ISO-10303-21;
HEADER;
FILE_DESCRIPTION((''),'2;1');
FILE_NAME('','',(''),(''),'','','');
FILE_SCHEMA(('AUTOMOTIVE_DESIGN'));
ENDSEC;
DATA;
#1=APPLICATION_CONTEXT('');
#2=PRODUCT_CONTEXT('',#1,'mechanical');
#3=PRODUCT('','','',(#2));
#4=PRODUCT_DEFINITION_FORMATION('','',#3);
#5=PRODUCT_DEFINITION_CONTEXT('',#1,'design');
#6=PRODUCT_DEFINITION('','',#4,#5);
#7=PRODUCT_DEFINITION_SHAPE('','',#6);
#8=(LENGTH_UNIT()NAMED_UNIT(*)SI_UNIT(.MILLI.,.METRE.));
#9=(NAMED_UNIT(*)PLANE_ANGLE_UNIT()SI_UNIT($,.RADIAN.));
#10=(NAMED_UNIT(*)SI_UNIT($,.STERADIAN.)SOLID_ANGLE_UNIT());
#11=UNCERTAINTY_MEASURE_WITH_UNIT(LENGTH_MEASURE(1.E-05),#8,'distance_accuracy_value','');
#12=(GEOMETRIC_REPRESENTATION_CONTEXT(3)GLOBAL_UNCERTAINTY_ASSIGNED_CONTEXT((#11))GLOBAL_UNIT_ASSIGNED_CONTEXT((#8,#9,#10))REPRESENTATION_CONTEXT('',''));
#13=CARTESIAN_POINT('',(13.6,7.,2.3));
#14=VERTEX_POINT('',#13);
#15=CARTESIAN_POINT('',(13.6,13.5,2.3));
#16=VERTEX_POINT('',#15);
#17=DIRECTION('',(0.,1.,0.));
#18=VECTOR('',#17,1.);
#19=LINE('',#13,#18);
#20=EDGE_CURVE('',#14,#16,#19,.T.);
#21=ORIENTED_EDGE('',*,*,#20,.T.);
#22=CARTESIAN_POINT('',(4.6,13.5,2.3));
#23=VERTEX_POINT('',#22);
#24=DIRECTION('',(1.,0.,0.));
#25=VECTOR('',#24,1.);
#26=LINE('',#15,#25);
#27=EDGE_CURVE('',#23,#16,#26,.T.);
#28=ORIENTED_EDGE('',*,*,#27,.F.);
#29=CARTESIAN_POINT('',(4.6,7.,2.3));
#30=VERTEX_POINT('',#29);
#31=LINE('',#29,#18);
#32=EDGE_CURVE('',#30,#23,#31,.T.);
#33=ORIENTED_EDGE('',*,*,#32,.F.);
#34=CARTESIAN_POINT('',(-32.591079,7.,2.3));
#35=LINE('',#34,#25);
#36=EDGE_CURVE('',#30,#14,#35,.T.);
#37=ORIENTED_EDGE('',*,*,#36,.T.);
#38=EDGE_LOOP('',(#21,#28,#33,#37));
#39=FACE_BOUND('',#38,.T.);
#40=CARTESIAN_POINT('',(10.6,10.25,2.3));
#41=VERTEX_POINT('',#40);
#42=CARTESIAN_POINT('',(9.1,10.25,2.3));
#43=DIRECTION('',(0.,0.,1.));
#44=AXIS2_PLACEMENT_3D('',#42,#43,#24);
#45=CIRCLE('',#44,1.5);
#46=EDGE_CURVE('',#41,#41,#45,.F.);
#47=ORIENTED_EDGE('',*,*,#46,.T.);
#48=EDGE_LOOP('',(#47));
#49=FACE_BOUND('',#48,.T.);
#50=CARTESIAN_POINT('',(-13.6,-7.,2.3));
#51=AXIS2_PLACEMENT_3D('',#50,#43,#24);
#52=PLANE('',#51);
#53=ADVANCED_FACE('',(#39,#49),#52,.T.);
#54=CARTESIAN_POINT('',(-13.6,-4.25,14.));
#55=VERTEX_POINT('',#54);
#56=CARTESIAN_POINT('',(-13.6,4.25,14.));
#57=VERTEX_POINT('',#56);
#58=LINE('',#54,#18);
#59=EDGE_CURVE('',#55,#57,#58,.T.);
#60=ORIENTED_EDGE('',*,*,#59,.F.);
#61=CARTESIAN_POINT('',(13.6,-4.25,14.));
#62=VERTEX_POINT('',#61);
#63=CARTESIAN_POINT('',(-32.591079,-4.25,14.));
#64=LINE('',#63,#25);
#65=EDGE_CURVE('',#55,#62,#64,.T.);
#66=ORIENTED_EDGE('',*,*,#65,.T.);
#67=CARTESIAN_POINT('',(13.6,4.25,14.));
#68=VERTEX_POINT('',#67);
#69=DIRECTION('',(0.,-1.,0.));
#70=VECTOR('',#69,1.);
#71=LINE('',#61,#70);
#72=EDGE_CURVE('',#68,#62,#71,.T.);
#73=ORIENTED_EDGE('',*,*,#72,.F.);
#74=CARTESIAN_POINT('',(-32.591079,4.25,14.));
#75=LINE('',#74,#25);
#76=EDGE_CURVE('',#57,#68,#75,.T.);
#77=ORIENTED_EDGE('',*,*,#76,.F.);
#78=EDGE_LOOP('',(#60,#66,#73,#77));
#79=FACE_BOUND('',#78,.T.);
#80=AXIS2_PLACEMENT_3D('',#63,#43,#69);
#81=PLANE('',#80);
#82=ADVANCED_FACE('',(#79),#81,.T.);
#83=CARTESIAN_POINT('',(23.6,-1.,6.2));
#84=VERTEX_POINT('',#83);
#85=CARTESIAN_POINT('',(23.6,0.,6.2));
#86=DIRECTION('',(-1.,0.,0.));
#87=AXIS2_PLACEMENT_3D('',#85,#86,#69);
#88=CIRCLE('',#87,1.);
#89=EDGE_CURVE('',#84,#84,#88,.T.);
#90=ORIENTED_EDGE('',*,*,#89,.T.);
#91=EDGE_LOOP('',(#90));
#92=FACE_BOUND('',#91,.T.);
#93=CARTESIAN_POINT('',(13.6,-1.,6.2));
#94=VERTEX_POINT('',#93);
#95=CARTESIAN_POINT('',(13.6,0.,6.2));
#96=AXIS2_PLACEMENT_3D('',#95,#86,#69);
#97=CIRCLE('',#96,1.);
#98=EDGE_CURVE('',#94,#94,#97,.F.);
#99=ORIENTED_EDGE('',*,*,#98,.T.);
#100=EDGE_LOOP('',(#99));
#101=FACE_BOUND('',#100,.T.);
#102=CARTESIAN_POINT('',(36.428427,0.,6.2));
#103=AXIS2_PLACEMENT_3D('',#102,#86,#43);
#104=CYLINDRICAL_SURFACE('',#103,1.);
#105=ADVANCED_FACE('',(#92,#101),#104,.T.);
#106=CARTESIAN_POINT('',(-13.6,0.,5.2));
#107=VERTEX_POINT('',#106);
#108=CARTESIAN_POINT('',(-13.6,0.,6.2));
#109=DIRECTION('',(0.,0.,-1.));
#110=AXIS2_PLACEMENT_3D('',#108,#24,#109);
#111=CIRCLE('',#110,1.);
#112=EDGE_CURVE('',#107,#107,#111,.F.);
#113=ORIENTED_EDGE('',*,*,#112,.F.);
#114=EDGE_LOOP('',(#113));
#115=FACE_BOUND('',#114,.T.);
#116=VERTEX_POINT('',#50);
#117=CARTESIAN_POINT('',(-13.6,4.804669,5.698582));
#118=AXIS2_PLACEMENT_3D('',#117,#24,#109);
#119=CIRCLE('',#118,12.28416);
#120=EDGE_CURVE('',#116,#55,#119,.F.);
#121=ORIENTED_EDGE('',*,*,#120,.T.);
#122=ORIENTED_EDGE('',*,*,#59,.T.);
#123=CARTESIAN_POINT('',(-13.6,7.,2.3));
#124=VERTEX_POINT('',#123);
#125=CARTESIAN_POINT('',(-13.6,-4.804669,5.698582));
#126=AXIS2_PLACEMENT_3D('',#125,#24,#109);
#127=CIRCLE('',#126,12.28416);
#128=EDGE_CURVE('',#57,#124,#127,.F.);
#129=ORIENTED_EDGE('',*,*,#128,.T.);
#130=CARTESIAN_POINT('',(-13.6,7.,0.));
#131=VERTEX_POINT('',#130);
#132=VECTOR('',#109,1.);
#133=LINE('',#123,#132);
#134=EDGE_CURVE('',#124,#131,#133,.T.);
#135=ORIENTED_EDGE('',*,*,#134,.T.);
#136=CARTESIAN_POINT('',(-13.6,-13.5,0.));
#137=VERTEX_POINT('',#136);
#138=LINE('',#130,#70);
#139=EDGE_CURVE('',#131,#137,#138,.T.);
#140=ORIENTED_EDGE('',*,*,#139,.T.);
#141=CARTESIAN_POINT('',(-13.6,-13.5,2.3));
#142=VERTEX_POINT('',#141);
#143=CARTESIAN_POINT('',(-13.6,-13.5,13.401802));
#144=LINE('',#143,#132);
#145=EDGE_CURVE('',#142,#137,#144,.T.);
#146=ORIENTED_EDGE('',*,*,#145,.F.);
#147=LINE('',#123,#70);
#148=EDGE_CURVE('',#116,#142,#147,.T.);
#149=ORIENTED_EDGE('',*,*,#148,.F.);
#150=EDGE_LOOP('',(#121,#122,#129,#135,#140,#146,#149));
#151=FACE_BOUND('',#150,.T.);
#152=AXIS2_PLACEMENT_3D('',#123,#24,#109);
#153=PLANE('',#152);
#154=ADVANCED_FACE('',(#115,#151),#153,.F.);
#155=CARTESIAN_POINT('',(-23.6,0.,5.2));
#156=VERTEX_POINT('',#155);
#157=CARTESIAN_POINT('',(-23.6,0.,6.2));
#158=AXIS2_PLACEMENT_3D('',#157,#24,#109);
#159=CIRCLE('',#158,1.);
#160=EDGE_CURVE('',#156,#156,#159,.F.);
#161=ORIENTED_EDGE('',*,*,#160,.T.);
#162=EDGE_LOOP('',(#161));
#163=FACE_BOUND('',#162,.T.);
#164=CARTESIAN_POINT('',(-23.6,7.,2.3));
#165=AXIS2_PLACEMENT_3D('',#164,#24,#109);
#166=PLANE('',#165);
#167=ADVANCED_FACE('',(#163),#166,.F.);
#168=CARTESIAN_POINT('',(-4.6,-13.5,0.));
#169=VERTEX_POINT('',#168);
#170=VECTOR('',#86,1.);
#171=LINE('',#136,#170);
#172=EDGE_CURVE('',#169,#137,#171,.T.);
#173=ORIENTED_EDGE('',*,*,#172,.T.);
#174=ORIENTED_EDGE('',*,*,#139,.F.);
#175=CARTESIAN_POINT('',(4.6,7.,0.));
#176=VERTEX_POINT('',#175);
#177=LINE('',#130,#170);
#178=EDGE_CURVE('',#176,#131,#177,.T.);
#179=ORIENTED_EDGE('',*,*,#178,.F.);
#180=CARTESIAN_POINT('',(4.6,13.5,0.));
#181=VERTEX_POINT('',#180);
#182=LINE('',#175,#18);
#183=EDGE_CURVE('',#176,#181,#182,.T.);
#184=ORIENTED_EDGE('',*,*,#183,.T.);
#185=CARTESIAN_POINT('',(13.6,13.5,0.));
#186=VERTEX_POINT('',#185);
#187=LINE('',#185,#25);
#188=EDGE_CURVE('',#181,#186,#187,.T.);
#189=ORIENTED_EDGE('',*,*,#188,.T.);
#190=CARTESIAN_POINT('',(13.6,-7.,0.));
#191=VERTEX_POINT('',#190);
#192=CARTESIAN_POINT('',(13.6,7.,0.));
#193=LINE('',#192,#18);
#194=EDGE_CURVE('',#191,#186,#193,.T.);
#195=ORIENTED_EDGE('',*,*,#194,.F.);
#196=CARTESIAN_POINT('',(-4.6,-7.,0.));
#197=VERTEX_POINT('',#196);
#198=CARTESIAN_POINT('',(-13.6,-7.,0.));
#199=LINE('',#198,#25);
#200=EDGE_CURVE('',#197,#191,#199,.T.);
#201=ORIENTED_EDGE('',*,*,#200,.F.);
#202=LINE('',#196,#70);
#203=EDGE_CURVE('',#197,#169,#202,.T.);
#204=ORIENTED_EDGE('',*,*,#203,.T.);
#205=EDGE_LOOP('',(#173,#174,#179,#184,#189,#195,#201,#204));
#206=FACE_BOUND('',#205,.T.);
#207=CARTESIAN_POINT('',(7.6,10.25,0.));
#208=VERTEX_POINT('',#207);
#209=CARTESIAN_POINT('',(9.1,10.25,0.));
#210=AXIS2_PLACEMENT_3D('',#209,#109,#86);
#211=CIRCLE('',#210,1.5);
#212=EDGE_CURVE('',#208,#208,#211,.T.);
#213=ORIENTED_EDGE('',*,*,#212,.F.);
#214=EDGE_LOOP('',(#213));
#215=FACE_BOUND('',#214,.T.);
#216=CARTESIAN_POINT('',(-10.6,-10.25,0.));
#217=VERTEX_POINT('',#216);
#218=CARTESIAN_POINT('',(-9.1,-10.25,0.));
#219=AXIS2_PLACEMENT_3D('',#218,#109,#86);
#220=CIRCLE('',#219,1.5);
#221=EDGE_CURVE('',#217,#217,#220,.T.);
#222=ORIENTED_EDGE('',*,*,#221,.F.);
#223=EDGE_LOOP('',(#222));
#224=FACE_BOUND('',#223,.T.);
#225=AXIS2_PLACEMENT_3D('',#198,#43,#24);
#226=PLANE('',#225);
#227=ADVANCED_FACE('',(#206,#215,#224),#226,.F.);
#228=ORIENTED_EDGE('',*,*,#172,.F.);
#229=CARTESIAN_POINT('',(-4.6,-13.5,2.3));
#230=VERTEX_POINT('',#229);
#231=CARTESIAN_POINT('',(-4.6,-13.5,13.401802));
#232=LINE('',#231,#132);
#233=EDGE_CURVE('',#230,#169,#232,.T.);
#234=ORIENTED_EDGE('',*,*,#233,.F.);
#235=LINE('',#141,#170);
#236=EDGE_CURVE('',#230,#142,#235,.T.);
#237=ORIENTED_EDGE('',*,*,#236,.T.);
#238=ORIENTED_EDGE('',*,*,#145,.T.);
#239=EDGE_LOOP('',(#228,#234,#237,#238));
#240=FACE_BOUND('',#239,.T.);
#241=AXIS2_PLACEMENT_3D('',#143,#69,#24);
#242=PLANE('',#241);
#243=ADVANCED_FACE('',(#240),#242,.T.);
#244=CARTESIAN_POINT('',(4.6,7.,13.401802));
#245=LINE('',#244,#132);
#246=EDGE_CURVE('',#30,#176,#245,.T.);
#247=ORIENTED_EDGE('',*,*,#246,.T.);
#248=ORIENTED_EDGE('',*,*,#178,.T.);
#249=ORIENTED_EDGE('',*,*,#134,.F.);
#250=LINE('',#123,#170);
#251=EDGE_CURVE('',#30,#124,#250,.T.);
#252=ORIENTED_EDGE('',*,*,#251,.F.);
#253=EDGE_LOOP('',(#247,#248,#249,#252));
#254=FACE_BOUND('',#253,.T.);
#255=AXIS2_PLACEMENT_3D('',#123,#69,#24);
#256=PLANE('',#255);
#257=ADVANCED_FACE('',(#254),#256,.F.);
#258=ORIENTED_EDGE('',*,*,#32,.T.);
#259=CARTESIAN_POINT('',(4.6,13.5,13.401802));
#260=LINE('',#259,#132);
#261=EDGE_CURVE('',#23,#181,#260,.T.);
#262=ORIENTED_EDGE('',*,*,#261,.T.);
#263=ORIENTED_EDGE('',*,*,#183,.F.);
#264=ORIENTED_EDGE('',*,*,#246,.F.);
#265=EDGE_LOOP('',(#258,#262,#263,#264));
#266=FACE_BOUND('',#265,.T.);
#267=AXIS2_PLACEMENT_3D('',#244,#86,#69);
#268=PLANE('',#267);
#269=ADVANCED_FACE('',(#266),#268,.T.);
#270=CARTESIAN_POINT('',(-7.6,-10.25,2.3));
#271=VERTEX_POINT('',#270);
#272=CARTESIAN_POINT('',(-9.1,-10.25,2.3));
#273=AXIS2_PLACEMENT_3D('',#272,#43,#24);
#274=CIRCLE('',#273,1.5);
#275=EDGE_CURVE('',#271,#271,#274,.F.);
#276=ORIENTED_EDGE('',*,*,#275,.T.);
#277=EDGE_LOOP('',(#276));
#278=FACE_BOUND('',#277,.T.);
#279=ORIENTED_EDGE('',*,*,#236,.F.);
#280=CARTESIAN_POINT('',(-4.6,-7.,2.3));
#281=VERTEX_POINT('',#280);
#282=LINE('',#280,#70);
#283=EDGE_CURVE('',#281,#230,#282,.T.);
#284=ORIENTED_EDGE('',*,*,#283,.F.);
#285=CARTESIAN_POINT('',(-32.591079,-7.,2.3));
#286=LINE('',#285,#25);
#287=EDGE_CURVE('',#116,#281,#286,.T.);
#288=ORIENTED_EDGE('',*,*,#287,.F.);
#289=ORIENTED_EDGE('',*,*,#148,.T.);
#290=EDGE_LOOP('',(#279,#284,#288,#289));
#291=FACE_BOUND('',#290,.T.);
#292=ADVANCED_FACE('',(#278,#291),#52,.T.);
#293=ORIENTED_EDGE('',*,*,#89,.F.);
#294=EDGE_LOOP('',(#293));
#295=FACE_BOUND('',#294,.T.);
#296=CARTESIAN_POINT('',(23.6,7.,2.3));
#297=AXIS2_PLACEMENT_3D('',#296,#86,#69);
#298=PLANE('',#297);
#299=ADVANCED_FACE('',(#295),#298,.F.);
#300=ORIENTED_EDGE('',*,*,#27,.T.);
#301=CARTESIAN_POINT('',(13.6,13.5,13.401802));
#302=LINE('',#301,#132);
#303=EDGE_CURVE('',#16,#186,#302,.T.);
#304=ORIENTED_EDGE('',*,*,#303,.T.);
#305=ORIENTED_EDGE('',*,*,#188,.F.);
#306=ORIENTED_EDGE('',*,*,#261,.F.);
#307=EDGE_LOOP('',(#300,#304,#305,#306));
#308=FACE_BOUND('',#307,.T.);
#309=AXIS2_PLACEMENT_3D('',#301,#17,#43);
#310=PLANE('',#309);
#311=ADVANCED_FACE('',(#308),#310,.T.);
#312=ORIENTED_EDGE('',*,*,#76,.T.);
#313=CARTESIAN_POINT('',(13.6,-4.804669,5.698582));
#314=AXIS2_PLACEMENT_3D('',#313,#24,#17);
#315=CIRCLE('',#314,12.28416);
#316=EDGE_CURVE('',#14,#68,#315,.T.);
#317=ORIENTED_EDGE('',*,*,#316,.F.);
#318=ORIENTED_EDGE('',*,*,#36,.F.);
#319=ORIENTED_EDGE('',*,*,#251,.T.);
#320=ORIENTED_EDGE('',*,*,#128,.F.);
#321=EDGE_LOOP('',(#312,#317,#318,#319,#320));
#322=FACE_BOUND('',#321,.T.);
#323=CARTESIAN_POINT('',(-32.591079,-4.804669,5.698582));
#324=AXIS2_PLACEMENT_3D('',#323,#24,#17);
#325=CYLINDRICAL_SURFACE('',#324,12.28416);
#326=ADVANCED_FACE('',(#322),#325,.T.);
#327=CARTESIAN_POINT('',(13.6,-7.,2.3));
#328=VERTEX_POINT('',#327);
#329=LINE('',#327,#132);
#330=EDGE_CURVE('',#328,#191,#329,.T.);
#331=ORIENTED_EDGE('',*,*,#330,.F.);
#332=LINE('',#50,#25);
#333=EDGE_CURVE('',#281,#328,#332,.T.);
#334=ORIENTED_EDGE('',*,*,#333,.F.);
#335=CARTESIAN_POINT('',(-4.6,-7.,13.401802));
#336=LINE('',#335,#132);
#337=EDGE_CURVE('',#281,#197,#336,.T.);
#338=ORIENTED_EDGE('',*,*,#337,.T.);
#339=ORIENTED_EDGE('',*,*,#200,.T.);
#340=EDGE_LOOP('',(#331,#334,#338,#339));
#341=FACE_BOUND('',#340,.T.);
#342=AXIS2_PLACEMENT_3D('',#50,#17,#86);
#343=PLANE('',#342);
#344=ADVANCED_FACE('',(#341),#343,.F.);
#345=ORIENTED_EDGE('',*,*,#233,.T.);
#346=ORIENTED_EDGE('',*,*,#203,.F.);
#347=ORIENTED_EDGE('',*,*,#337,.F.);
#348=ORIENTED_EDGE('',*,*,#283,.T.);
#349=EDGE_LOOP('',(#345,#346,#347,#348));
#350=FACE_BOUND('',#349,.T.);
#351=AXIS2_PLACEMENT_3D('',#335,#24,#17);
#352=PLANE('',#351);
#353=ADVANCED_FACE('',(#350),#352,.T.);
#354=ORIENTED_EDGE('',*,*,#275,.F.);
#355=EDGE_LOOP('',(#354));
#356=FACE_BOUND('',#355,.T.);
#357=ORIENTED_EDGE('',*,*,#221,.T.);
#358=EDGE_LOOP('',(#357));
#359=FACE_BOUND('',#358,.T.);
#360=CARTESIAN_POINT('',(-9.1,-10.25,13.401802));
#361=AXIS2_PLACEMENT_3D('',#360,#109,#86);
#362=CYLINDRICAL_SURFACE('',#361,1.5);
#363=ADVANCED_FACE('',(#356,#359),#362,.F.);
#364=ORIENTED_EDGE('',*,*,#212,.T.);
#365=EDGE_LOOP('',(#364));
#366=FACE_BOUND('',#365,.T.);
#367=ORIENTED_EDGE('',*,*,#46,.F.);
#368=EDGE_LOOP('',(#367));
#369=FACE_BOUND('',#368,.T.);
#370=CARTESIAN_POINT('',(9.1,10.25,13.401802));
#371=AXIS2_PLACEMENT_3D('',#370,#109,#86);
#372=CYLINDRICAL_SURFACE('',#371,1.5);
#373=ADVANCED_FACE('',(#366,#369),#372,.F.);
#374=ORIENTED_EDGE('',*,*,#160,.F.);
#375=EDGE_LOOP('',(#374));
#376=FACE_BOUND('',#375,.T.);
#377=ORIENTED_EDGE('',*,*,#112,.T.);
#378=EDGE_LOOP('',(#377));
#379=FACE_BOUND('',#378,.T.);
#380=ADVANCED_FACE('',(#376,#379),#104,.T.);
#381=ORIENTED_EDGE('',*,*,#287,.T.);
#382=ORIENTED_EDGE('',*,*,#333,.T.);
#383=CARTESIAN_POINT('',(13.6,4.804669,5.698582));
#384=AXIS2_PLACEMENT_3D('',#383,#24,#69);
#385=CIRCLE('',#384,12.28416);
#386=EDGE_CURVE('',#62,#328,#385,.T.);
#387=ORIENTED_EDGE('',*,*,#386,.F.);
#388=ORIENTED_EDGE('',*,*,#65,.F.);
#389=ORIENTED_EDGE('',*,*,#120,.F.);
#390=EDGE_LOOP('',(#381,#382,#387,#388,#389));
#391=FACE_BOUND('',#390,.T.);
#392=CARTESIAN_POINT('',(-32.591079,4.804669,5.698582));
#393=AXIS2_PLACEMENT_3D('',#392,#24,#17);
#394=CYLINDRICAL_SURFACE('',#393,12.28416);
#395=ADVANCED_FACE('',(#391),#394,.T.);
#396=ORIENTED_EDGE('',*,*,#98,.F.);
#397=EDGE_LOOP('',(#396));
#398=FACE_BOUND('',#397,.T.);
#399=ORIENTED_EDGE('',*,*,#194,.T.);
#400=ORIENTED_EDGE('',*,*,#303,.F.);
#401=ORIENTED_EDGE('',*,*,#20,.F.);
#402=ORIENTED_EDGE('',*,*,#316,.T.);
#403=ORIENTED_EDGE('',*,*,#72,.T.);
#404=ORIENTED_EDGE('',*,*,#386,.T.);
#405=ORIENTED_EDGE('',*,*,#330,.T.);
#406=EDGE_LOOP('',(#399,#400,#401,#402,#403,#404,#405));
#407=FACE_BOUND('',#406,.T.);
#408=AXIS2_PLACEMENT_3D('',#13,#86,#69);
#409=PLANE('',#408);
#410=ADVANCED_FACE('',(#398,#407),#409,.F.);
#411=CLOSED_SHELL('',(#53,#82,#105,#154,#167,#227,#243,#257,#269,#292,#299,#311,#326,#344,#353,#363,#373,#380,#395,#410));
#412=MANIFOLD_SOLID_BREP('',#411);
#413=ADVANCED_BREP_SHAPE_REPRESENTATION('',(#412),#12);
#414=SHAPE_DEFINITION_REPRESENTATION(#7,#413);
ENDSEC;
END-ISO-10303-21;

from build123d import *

# Parameters (mm, degrees)
SKETCH_1_W           = 27.2
SKETCH_1_H           = 14
EXTRUDE_1_DEPTH      = 2.3
SKETCH_2_W           = 9
SKETCH_2_H           = 6.5
SKETCH_2_R           = 1.5
EXTRUDE_2_DEPTH      = 2.3
EXTRUDE_3_REACH      = 32.453
EXTRUDE_4_DEPTH      = 23.6
EXTRUDE_4_DEPTH_BACK = 23.6
SKETCH_5_R           = 1


with BuildPart() as part:
    # 草图1 → 拉伸1 (new body)
    with BuildSketch(Plane.XY):
        Rectangle(SKETCH_1_W, SKETCH_1_H)
    extrude(amount=EXTRUDE_1_DEPTH)

    # 草图2 → 拉伸2 (add)
    # profile 1 of 2: a face of its own
    with BuildSketch(Plane(origin=(0, 0, 0), x_dir=(-1, 0, 0), z_dir=(0, 0, -1))):
        with Locations((9.1, -10.25)):
            Rectangle(SKETCH_2_W, SKETCH_2_H)
        with Locations((9.1, -10.25)):
            Circle(SKETCH_2_R, mode=Mode.SUBTRACT)
    # profile 2 of 2: a face of its own
    with BuildSketch(Plane(origin=(0, 0, 0), x_dir=(-1, 0, 0), z_dir=(0, 0, -1))):
        with Locations((-9.1, 10.25)):
            Rectangle(SKETCH_2_W, SKETCH_2_H)
        with Locations((-9.1, 10.25)):
            Circle(SKETCH_2_R, mode=Mode.SUBTRACT)
    extrude(amount=-EXTRUDE_2_DEPTH)

    # 拉伸3: up to this face of the body (flat: up to its plane)
    extrude_3_end = Plane(part.part.faces().sort_by_distance((-13.6, -3.25, 1.15))[0])
    # 草图4 → 拉伸3 (add, up to the picked face)
    with BuildSketch(Plane(origin=(13.6, 0, 0), x_dir=(0, 0, -1), z_dir=(1, 0, 0)), mode=Mode.PRIVATE) as extrude_3_sk1:
        with BuildLine():
            Line((-2.3, -7), (-2.3, 7))
            ThreePointArc((-2.3, 7), (-8.509289243, 7.153612414), (-14, 4.25))
            Line((-14, 4.25), (-14, -4.25))
            ThreePointArc((-14, -4.25), (-8.509289243, -7.153612414), (-2.3, -7))
        make_face()
    extrude_3_tool1 = split(extrude(extrude_3_sk1.sketch, amount=-EXTRUDE_3_REACH, mode=Mode.PRIVATE), bisect_by=extrude_3_end, keep=Keep.BOTH, mode=Mode.PRIVATE)
    add(extrude_3_tool1.solids().sort_by(Axis((13.6, 0, 7.774162), (-1, 0, 0)))[0])

    # 草图5 → 拉伸4 (add, two sides: drawn at the far end of the back side and taken through both)
    with BuildSketch(Plane(origin=(0, 0, 0), x_dir=(0, 0, -1), z_dir=(1, 0, 0)).offset(-EXTRUDE_4_DEPTH_BACK)):
        with Locations(Location((-6.2, 0, 0), (0, 0, 270))):
            Circle(SKETCH_5_R)
    extrude(amount=EXTRUDE_4_DEPTH + EXTRUDE_4_DEPTH_BACK)


solid = part.part
